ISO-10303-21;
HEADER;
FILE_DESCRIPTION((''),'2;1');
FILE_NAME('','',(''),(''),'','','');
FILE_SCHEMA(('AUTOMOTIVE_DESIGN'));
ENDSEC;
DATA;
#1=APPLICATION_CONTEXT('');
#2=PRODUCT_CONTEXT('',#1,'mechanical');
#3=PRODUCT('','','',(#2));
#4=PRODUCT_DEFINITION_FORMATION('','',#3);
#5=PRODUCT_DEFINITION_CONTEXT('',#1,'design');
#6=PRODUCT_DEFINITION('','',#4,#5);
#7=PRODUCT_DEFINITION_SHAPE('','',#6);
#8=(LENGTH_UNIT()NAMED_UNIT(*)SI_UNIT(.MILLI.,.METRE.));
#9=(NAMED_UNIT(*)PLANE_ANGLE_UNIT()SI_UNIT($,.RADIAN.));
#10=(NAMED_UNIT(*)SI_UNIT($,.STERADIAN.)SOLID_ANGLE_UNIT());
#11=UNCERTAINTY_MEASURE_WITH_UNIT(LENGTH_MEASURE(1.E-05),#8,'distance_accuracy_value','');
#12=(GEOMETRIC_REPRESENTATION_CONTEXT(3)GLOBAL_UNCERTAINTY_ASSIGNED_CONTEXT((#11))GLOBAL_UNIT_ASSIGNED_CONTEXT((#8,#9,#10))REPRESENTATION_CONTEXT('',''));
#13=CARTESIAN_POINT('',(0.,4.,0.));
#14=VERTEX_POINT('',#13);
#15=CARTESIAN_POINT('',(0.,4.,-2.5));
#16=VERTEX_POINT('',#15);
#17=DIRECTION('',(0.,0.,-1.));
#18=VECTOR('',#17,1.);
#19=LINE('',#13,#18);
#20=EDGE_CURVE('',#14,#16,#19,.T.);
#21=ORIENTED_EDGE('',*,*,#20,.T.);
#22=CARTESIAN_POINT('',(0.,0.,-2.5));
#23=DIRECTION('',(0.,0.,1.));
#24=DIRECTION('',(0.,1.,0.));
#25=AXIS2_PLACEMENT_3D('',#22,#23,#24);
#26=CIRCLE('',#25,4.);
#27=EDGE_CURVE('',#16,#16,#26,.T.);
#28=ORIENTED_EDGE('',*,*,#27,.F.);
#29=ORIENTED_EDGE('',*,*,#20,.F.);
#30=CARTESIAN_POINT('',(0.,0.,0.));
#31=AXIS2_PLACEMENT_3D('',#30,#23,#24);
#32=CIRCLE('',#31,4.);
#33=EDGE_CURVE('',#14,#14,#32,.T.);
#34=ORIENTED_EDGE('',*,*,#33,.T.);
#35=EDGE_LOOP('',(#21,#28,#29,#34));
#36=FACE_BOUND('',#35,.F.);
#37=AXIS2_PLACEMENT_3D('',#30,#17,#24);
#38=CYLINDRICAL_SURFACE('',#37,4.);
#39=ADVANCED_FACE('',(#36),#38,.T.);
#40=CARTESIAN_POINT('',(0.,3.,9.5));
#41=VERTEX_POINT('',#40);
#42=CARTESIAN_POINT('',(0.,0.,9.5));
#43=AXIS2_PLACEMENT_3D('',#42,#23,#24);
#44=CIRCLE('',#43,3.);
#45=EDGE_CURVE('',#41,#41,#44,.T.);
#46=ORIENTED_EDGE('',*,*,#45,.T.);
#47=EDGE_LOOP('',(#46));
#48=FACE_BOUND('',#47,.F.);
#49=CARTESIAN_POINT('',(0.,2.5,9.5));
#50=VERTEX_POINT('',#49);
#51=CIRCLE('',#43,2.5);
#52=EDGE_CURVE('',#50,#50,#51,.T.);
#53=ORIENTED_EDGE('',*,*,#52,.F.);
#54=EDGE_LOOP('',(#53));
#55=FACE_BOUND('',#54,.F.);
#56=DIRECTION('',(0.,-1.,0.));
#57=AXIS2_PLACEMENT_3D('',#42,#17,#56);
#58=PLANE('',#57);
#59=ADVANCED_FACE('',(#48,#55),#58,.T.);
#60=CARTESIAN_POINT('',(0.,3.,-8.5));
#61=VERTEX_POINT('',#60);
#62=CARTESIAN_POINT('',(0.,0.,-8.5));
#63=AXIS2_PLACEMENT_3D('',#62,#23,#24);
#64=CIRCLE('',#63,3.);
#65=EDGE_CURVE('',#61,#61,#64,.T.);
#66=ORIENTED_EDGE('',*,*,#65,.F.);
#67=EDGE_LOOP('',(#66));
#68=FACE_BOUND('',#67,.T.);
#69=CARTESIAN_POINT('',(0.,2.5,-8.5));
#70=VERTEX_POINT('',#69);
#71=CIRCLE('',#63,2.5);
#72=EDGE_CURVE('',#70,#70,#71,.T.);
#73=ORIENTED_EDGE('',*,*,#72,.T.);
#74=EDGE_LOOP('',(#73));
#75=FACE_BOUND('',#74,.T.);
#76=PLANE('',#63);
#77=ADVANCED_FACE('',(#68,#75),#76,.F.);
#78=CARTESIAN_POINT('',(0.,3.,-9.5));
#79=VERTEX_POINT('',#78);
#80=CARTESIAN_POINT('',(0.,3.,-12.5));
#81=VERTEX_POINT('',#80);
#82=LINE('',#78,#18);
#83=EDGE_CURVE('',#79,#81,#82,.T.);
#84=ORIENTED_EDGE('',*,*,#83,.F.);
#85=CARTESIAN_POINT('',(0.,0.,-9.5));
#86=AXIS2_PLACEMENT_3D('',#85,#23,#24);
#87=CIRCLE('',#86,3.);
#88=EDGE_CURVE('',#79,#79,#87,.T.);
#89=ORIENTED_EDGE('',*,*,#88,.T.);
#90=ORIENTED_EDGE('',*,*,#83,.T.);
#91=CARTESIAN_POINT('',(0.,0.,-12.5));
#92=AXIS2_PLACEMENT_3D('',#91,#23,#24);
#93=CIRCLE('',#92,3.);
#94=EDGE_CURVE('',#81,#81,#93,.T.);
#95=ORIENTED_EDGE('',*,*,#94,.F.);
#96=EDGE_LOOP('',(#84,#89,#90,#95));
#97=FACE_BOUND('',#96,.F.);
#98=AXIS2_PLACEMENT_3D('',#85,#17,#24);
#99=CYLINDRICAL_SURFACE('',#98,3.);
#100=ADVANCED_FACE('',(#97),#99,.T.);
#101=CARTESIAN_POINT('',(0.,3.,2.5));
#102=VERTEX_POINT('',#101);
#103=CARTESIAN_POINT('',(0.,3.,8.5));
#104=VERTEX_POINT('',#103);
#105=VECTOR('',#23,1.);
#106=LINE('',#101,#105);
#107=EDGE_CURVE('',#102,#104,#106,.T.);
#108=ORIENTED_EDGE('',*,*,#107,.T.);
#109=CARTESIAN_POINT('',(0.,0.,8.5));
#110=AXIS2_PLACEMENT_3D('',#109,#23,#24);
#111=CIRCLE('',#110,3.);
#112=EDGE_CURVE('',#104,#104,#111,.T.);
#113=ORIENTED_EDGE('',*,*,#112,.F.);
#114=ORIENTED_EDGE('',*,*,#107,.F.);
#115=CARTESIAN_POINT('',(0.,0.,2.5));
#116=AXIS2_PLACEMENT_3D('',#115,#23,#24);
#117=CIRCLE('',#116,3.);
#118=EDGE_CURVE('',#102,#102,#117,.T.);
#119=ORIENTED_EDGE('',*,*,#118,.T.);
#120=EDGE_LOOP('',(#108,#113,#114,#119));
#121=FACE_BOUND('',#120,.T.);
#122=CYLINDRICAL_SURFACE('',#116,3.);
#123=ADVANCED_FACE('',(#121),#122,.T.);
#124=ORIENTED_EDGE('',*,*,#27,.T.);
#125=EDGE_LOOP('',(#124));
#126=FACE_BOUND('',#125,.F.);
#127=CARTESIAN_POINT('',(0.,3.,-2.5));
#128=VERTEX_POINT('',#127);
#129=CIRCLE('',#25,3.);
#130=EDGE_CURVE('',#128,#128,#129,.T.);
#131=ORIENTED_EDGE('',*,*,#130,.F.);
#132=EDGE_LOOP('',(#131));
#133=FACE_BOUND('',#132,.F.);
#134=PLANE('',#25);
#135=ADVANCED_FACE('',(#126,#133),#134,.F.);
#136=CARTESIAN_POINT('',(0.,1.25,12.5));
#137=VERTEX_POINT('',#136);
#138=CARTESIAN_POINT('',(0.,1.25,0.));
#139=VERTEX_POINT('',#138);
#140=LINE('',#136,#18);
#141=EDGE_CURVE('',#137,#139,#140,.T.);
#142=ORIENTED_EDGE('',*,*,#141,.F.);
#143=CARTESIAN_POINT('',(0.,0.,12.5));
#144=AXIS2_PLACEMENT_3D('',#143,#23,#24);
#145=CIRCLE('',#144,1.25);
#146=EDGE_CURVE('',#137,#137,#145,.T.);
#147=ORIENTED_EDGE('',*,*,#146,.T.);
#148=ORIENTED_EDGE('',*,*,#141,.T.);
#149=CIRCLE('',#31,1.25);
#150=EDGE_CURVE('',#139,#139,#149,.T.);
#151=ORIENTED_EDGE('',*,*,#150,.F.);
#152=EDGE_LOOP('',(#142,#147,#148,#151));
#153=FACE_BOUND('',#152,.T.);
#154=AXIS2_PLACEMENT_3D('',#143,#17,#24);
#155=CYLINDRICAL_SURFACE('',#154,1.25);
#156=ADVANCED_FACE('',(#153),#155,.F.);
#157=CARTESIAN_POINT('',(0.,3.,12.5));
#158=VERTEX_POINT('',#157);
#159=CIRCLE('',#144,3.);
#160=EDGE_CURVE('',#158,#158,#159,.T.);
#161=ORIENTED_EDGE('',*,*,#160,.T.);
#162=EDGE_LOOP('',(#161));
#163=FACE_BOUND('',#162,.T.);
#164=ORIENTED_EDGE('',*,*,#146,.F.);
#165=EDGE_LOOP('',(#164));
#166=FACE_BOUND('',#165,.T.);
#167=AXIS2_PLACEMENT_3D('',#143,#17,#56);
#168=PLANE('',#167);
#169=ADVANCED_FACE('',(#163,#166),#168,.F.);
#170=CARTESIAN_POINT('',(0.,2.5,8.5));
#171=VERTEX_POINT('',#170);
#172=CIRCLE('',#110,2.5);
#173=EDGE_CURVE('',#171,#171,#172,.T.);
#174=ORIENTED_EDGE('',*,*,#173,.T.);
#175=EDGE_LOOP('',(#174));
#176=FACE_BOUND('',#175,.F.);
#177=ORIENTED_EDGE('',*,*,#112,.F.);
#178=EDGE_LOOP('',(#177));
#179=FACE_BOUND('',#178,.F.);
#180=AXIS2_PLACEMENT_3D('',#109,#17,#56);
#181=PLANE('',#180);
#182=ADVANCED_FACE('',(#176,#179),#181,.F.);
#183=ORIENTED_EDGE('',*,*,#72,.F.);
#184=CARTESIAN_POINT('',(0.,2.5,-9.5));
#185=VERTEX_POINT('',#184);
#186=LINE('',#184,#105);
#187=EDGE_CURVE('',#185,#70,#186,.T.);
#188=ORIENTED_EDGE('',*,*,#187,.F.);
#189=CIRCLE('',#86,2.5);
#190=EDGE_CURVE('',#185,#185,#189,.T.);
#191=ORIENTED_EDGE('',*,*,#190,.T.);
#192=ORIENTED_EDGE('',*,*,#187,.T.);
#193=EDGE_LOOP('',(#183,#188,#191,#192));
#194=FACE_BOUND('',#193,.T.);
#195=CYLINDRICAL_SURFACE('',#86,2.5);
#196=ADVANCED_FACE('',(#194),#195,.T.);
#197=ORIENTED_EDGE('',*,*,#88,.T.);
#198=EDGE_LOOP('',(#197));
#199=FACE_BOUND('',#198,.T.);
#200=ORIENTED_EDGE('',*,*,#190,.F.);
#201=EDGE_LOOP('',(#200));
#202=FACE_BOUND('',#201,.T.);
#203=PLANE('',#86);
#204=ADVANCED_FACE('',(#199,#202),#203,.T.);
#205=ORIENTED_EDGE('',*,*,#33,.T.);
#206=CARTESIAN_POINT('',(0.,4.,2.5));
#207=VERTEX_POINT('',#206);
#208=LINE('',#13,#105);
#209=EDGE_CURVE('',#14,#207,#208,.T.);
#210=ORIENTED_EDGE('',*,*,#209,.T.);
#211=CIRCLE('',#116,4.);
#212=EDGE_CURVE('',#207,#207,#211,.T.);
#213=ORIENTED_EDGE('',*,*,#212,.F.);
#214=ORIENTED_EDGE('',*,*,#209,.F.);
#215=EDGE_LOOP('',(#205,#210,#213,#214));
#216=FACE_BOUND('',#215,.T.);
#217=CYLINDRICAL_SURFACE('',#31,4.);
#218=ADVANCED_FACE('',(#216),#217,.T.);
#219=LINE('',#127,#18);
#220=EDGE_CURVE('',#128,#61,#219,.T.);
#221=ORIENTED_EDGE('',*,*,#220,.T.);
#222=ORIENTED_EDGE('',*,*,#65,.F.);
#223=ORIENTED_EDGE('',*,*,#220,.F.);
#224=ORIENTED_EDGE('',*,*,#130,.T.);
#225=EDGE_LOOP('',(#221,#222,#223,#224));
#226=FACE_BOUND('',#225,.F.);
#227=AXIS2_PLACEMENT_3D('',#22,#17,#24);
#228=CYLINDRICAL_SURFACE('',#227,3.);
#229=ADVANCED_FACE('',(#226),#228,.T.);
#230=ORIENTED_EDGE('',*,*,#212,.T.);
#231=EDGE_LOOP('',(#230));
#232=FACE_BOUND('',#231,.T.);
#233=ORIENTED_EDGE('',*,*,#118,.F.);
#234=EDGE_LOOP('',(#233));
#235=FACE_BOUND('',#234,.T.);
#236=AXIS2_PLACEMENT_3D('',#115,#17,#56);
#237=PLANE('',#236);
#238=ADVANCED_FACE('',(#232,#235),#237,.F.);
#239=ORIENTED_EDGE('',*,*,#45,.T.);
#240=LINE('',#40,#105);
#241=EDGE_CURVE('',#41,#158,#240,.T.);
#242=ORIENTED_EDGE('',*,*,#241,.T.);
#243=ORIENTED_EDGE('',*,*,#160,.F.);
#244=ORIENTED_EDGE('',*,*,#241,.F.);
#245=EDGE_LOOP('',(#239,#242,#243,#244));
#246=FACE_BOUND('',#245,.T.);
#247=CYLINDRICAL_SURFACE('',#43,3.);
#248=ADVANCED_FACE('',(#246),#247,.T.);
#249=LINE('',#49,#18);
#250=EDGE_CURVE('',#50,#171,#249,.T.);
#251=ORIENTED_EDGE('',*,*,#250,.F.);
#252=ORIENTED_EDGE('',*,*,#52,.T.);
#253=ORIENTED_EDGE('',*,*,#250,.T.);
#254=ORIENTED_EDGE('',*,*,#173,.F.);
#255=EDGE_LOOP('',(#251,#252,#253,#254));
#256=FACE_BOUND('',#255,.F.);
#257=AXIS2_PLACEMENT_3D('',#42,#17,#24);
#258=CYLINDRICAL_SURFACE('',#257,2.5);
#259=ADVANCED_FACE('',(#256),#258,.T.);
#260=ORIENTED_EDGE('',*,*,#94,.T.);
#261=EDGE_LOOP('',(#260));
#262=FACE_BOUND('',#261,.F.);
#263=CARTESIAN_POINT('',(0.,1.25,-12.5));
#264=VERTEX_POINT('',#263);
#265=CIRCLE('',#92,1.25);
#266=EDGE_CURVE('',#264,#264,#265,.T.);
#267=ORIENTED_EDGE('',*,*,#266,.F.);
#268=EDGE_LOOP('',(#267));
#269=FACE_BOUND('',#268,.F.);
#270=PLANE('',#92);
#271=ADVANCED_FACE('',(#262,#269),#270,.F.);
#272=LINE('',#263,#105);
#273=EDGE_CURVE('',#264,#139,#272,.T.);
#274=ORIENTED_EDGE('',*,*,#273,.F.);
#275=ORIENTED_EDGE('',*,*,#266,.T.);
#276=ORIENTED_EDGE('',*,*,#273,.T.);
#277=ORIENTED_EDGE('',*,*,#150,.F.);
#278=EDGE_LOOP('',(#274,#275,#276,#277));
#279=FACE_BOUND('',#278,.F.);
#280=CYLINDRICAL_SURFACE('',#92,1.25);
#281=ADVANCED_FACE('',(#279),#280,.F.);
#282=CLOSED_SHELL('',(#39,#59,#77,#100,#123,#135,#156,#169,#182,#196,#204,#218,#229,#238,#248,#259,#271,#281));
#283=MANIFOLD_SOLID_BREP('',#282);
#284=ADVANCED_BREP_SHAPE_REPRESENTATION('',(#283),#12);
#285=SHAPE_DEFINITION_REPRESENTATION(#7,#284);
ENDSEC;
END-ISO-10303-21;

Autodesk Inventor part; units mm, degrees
ref_plane "YZ Plane" through (0, 0, 0) normal (1, 0, 0) x (0, 1, 0)
ref_plane "XZ Plane" through (0, 0, 0) normal (0, 1, 0) x (-1, 0, 0)
ref_plane "XY Plane" through (0, 0, 0) normal (0, 0, 1) x (1, 0, 0)
sketch "スケッチ2" plane through (0, 0, 0) normal (1, 0, 0) x (0, 1, 0)
  line L0 (2.5, -8.5) -> (3, -8.5)
  line L1 (3, -9.5) -> (2.5, -9.5)
  line L2 (2.5, -9.5) -> (2.5, -8.5)
  line L3 (3, -9.5) -> (3, -12.5)
  line L4 (3, -12.5) -> (1.25, -12.5)
  line L5 (1.25, -12.5) -> (1.25, 0)
  line L6 (1.25, 0) -> (4, 0)
  line L7 (4, 0) -> (4, -2.5)
  line L8 (4, -2.5) -> (3, -2.5)
  line L9 (3, -2.5) -> (3, -8.5)
  line L10 (0, -15) -> (0, 2.5) projected
  point P0 (0, 0)
  dimension "d3" = 8.5
  dimension "d4" = 1
  dimension "d5" = 2.5
  dimension "d6" = 1.25
  dimension "d8" = 4
  dimension "d9" = 2.5
  dimension "d10" = 3
  dimension "d11" = 12.5
revolve "回転1" add sketch "スケッチ2" angle 360 about axis through (0, 0, -10) along (0, 0, 1)
mirror "ミラー1" about plane through (0, 4, 0) normal (0, 0, 1) of "回転1"
sketch "スケッチ1" plane through (0, 0, 0) normal (0, 0, 1) x (1, 0, 0)
  circle A0 centre (0, 0) radius 4
  dimension "d0" = 8
properties part number "下側ベアリング軸" material "アルミニウム 2014-T4"
